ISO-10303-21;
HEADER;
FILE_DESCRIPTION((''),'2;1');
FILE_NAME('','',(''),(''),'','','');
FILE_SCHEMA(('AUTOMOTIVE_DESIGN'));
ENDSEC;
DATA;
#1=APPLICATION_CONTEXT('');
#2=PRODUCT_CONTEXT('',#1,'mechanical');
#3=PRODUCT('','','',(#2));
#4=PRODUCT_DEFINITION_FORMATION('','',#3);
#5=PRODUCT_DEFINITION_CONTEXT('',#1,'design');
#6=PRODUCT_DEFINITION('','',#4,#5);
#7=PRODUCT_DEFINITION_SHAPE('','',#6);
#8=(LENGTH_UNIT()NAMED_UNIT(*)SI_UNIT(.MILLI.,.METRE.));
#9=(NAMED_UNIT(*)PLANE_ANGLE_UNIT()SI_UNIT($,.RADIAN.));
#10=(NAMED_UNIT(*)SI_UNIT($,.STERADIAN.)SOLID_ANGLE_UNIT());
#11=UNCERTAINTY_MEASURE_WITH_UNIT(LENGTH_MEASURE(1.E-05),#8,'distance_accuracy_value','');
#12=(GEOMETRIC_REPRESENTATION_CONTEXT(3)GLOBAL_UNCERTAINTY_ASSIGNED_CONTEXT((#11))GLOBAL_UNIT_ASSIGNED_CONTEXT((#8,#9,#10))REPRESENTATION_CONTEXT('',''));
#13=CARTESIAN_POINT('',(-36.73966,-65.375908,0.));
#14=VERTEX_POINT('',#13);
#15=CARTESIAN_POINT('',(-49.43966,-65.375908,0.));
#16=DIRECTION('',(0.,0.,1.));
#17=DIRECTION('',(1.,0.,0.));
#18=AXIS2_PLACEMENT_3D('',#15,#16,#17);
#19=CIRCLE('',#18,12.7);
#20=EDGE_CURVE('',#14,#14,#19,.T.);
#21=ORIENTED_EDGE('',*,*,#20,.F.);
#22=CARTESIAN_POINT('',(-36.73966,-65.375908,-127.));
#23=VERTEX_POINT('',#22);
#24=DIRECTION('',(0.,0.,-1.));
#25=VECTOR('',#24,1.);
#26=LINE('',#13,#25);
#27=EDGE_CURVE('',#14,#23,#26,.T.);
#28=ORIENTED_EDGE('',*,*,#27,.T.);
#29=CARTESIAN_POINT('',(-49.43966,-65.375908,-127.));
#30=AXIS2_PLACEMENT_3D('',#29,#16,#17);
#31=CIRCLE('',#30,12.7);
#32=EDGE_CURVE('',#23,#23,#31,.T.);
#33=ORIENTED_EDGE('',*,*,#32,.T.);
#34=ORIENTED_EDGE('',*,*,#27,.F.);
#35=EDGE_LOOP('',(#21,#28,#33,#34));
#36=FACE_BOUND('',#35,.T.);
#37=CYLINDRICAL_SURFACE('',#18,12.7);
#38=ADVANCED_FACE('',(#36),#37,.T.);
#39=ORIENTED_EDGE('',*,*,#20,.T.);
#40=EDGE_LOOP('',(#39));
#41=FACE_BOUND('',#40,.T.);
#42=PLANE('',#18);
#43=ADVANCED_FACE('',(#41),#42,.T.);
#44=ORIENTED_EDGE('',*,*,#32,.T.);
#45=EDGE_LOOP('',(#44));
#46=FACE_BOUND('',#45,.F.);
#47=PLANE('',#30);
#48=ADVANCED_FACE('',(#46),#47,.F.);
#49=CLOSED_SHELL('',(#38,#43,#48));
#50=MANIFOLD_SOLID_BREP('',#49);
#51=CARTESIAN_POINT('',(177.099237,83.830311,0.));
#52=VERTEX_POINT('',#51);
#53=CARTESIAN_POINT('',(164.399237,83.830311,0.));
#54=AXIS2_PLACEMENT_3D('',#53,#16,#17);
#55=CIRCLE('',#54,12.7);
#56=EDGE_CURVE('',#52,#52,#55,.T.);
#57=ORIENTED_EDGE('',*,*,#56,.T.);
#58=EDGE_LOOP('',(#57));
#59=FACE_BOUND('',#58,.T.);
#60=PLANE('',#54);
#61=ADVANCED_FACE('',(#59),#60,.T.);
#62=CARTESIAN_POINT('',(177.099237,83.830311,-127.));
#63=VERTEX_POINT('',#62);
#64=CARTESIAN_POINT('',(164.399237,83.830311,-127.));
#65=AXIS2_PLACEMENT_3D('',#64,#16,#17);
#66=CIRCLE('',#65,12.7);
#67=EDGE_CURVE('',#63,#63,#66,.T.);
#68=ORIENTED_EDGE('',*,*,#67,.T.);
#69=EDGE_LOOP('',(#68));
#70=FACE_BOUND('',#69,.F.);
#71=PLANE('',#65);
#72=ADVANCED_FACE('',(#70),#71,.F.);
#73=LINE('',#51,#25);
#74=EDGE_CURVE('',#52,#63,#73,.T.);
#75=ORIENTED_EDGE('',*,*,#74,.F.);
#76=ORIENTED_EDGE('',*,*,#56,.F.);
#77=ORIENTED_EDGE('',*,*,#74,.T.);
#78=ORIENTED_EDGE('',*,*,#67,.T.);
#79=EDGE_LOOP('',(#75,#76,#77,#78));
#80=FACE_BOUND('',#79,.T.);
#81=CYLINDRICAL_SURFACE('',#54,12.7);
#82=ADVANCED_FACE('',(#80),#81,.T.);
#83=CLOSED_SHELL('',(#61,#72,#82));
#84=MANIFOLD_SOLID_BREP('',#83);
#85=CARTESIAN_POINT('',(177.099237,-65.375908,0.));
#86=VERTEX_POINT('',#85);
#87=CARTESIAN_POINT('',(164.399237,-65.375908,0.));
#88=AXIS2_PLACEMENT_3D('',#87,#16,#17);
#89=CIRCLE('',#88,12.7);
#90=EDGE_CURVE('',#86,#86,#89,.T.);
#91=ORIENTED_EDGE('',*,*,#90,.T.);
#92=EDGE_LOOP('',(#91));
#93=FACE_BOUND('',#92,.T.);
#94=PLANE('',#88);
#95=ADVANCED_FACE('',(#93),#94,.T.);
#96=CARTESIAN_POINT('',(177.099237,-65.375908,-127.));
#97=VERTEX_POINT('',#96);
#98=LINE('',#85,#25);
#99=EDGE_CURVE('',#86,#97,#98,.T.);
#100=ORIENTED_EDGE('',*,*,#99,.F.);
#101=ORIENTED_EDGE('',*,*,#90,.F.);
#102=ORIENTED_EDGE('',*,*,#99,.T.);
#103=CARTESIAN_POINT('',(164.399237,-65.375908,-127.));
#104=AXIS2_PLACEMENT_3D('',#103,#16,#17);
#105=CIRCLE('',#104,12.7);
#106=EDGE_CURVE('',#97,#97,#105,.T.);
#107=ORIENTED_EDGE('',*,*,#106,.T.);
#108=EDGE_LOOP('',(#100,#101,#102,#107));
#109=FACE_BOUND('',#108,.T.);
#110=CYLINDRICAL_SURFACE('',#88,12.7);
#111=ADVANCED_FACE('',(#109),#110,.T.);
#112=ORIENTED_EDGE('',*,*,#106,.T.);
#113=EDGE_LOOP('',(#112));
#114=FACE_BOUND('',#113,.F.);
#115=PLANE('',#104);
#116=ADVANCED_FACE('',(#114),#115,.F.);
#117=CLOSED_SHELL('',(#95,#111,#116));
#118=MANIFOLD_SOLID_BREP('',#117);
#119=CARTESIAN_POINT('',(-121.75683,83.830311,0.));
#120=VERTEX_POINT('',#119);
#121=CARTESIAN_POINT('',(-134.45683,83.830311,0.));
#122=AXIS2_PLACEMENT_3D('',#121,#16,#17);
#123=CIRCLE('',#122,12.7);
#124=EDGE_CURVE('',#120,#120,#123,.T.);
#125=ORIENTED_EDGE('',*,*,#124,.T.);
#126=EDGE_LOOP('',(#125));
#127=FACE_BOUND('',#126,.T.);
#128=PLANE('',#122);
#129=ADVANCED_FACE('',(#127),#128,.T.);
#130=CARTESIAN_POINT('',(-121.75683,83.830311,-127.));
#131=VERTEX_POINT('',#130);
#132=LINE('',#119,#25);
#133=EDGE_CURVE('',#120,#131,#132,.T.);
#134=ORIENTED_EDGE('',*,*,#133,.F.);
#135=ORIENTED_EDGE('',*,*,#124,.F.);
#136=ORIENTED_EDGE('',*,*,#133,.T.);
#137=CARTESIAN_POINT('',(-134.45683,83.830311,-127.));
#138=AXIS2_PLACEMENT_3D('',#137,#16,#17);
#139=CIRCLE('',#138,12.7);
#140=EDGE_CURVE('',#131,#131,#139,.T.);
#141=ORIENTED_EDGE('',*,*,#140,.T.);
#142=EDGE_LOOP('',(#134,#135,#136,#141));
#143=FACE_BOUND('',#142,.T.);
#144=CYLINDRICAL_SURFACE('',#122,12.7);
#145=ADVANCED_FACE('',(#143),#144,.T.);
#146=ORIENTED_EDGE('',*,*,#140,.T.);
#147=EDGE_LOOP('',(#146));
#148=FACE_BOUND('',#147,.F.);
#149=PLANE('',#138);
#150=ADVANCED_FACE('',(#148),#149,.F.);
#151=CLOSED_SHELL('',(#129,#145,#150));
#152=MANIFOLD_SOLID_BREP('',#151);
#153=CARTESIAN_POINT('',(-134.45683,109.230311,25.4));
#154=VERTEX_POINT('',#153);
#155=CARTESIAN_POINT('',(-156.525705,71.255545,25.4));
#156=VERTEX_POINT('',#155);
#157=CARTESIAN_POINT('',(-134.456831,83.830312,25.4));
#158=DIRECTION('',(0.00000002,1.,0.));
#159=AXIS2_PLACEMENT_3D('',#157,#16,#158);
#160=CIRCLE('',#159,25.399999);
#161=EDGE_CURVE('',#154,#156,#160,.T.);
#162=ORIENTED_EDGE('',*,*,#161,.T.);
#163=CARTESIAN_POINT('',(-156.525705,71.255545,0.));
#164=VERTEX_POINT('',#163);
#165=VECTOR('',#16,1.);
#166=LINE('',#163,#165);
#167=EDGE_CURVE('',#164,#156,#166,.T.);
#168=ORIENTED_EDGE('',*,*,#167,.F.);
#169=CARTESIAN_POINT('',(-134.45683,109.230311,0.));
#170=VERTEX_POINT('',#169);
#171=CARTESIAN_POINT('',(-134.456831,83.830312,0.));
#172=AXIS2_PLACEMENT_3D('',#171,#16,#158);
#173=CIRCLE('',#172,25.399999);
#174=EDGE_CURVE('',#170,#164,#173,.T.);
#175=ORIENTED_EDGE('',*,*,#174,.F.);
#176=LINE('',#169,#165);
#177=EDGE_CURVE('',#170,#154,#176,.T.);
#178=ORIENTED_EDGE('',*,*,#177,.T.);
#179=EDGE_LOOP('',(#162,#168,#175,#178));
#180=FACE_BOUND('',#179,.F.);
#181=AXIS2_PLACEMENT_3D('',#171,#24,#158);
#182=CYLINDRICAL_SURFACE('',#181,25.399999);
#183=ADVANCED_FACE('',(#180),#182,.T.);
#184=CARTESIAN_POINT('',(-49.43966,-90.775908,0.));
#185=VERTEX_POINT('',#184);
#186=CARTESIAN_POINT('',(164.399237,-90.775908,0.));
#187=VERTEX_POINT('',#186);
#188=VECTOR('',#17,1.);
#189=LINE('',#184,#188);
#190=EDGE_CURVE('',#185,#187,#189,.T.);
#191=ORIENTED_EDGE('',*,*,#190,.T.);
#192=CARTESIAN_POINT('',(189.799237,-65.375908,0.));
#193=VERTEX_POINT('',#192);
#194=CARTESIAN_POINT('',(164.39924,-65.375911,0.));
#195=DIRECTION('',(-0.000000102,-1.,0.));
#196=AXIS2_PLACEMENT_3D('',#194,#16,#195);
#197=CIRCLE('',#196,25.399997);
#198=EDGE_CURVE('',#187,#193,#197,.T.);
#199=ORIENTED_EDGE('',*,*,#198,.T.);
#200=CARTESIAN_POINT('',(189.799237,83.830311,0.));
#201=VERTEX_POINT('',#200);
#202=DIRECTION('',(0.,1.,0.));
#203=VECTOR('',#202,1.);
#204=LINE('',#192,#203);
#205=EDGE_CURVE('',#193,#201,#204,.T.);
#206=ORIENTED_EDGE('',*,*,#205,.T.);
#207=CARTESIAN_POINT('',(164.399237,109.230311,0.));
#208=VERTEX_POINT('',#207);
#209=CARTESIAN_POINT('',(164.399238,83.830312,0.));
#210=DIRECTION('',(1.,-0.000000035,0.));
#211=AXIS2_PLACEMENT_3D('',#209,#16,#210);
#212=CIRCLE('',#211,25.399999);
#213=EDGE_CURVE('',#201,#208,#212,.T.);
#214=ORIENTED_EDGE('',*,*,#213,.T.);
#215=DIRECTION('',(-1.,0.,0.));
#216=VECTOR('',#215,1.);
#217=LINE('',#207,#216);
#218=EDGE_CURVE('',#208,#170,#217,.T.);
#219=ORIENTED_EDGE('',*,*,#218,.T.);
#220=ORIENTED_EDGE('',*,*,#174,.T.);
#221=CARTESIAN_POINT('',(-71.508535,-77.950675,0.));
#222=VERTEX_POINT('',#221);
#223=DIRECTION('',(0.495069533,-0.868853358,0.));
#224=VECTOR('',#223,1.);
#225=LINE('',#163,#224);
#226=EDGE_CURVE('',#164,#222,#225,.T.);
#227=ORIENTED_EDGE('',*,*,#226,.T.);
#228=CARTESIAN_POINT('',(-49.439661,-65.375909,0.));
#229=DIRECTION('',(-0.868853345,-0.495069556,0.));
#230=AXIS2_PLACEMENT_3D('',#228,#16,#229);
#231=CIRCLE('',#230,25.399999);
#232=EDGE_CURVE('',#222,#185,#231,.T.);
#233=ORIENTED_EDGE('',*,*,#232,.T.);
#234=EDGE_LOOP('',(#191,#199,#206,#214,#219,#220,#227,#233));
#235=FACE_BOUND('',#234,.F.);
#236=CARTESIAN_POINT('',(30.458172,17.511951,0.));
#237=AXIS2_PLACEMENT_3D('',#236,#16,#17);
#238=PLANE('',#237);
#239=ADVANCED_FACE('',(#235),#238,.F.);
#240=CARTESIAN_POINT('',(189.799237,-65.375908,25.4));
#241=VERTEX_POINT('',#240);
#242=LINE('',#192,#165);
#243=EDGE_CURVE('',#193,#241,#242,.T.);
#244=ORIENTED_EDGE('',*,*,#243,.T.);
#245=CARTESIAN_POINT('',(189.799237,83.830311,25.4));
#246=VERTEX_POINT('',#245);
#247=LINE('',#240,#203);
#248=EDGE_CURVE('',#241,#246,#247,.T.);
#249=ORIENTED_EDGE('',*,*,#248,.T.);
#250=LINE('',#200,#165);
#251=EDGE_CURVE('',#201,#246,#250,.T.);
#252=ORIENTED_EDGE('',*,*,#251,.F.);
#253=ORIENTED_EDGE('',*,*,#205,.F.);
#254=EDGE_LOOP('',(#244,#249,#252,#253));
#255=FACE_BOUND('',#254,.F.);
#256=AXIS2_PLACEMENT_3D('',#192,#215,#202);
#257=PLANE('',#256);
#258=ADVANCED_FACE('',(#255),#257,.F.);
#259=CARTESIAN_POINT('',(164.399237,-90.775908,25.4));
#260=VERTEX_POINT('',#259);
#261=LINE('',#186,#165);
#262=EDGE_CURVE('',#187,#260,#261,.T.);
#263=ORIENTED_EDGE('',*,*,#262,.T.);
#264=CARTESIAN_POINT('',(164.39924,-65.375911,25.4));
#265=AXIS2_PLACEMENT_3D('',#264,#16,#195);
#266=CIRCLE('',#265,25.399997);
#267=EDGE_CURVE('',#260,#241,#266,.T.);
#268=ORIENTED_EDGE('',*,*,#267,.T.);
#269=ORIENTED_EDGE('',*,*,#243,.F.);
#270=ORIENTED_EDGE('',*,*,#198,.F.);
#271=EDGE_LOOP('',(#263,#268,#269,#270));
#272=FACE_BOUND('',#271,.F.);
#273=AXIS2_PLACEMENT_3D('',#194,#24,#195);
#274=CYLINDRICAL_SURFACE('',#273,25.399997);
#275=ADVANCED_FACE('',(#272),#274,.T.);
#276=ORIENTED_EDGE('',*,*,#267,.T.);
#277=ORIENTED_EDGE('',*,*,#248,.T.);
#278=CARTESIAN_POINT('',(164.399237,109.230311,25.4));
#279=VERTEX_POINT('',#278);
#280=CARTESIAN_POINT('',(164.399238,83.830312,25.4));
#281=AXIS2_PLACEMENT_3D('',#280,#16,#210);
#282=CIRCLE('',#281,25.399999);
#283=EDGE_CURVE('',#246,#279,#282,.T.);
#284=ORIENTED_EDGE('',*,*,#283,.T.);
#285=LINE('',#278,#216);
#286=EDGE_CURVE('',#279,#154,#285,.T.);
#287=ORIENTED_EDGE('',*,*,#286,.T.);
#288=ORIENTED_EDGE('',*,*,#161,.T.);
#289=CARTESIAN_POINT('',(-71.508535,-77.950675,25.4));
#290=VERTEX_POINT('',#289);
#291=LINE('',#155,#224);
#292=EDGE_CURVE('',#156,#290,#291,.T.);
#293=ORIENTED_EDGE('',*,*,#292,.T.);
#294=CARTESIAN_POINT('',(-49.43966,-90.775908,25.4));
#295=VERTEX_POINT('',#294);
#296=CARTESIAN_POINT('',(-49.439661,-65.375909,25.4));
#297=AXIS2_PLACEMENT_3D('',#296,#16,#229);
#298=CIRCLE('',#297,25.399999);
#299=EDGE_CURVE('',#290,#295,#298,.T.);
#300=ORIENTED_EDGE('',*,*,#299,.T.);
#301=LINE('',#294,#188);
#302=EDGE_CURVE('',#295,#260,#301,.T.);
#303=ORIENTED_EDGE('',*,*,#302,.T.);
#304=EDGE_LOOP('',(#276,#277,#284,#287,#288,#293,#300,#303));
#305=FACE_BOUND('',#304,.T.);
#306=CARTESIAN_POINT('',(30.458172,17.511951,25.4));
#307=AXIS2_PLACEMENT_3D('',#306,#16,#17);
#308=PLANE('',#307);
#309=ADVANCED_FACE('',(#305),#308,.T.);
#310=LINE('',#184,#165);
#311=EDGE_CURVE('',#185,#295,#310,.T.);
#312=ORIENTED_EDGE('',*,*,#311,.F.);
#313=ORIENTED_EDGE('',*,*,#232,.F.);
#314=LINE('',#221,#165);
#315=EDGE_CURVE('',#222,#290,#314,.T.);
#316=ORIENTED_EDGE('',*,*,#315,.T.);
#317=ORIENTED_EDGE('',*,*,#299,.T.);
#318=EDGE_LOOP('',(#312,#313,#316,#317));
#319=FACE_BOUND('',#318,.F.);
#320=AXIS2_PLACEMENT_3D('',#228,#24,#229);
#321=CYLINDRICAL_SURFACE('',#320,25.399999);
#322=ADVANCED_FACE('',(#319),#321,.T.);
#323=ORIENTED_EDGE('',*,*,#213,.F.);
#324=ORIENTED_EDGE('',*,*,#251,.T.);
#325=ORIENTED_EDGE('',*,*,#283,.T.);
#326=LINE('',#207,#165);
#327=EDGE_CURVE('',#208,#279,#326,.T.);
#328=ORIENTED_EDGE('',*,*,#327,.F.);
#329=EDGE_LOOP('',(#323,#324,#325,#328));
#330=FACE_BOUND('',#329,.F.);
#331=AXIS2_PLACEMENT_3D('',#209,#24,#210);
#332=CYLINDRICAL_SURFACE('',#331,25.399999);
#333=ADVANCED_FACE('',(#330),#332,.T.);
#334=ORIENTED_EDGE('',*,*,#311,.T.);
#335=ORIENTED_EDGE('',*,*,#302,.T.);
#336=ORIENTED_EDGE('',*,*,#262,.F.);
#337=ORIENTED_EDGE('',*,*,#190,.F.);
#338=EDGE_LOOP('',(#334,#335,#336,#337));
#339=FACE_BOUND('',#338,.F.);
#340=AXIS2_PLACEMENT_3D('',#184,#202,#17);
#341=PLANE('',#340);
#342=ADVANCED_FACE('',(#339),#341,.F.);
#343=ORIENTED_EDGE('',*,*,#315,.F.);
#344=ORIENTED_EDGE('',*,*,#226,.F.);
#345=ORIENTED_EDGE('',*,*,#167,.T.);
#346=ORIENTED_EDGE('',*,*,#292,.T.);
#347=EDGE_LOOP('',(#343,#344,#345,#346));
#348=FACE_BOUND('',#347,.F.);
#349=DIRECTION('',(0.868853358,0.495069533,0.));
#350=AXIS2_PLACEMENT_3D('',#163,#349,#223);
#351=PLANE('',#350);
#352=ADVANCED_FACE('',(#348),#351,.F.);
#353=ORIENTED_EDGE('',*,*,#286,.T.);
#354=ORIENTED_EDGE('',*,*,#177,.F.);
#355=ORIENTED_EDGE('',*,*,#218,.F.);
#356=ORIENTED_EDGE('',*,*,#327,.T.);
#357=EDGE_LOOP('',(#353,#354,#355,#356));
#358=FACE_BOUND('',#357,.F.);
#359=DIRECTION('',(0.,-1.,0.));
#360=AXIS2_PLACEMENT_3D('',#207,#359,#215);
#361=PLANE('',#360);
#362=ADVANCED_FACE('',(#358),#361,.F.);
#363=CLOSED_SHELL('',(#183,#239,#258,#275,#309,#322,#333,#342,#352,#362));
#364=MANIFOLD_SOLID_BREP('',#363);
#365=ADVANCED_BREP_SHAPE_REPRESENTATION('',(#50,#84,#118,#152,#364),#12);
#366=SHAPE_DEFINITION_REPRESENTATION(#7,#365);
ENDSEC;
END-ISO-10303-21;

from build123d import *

# Parameters (mm, degrees)
F0_R     = 12.7
F1_DEPTH = 127
F2_DEPTH = 127
F3_DEPTH = 127
F4_DEPTH = 127
F5_DEPTH = 25.4


with BuildPart() as f1:
    # F0 (on Top) → F1 (new body)
    with BuildSketch(Plane.XY):
        with Locations((-134.45683, 83.830311)):
            Circle(F0_R)
    extrude(amount=-F1_DEPTH)


with BuildPart() as f2:
    # F0 (on Top) → F2 (new body)
    with BuildSketch(Plane.XY):
        with Locations((-49.43966, -65.375908)):
            Circle(F0_R)
    extrude(amount=-F2_DEPTH)


with BuildPart() as f3:
    # F0 (on Top) → F3 (new body)
    with BuildSketch(Plane.XY):
        with Locations((164.399237, -65.375908)):
            Circle(F0_R)
    extrude(amount=-F3_DEPTH)


with BuildPart() as f4:
    # F0 (on Top) → F4 (new body)
    with BuildSketch(Plane.XY):
        with Locations((164.399237, 83.830311)):
            Circle(F0_R)
    extrude(amount=-F4_DEPTH)


with BuildPart() as f5:
    # F0 (on Top) → F5 (new body)
    with BuildSketch(Plane.XY):
        with BuildLine():
            Line((164.399237, 109.230311), (-134.45683, 109.230311))
            ThreePointArc((-134.45683, 109.230311), (-156.417694, 96.592774), (-156.525705, 71.255545))
            Line((-156.525705, 71.255545), (-71.508535, -77.950675))
            ThreePointArc((-71.508535, -77.950675), (-62.202123, -87.336772), (-49.43966, -90.775908))
            Line((-49.43966, -90.775908), (164.399237, -90.775908))
            ThreePointArc((164.399237, -90.775908), (182.35975, -83.336421), (189.799237, -65.375908))
            Line((189.799237, -65.375908), (189.799237, 83.830311))
            ThreePointArc((189.799237, 83.830311), (182.35975, 101.790823), (164.399237, 109.230311))
        make_face()
        with Locations((-49.43966, -65.375908)):
            Circle(F0_R, mode=Mode.SUBTRACT)
        with Locations((164.399237, -65.375908)):
            Circle(F0_R, mode=Mode.SUBTRACT)
        with Locations((-134.45683, 83.830311)):
            Circle(F0_R, mode=Mode.SUBTRACT)
        with Locations((164.399237, 83.830311)):
            Circle(F0_R, mode=Mode.SUBTRACT)
        with Locations((-49.43966, -65.375908)):
            Circle(F0_R)
        with Locations((-134.45683, 83.830311)):
            Circle(F0_R)
        with Locations((164.399237, 83.830311)):
            Circle(F0_R)
        with Locations((164.399237, -65.375908)):
            Circle(F0_R)
    extrude(amount=F5_DEPTH)


solid = Compound([f1.part, f2.part, f3.part, f4.part, f5.part])
